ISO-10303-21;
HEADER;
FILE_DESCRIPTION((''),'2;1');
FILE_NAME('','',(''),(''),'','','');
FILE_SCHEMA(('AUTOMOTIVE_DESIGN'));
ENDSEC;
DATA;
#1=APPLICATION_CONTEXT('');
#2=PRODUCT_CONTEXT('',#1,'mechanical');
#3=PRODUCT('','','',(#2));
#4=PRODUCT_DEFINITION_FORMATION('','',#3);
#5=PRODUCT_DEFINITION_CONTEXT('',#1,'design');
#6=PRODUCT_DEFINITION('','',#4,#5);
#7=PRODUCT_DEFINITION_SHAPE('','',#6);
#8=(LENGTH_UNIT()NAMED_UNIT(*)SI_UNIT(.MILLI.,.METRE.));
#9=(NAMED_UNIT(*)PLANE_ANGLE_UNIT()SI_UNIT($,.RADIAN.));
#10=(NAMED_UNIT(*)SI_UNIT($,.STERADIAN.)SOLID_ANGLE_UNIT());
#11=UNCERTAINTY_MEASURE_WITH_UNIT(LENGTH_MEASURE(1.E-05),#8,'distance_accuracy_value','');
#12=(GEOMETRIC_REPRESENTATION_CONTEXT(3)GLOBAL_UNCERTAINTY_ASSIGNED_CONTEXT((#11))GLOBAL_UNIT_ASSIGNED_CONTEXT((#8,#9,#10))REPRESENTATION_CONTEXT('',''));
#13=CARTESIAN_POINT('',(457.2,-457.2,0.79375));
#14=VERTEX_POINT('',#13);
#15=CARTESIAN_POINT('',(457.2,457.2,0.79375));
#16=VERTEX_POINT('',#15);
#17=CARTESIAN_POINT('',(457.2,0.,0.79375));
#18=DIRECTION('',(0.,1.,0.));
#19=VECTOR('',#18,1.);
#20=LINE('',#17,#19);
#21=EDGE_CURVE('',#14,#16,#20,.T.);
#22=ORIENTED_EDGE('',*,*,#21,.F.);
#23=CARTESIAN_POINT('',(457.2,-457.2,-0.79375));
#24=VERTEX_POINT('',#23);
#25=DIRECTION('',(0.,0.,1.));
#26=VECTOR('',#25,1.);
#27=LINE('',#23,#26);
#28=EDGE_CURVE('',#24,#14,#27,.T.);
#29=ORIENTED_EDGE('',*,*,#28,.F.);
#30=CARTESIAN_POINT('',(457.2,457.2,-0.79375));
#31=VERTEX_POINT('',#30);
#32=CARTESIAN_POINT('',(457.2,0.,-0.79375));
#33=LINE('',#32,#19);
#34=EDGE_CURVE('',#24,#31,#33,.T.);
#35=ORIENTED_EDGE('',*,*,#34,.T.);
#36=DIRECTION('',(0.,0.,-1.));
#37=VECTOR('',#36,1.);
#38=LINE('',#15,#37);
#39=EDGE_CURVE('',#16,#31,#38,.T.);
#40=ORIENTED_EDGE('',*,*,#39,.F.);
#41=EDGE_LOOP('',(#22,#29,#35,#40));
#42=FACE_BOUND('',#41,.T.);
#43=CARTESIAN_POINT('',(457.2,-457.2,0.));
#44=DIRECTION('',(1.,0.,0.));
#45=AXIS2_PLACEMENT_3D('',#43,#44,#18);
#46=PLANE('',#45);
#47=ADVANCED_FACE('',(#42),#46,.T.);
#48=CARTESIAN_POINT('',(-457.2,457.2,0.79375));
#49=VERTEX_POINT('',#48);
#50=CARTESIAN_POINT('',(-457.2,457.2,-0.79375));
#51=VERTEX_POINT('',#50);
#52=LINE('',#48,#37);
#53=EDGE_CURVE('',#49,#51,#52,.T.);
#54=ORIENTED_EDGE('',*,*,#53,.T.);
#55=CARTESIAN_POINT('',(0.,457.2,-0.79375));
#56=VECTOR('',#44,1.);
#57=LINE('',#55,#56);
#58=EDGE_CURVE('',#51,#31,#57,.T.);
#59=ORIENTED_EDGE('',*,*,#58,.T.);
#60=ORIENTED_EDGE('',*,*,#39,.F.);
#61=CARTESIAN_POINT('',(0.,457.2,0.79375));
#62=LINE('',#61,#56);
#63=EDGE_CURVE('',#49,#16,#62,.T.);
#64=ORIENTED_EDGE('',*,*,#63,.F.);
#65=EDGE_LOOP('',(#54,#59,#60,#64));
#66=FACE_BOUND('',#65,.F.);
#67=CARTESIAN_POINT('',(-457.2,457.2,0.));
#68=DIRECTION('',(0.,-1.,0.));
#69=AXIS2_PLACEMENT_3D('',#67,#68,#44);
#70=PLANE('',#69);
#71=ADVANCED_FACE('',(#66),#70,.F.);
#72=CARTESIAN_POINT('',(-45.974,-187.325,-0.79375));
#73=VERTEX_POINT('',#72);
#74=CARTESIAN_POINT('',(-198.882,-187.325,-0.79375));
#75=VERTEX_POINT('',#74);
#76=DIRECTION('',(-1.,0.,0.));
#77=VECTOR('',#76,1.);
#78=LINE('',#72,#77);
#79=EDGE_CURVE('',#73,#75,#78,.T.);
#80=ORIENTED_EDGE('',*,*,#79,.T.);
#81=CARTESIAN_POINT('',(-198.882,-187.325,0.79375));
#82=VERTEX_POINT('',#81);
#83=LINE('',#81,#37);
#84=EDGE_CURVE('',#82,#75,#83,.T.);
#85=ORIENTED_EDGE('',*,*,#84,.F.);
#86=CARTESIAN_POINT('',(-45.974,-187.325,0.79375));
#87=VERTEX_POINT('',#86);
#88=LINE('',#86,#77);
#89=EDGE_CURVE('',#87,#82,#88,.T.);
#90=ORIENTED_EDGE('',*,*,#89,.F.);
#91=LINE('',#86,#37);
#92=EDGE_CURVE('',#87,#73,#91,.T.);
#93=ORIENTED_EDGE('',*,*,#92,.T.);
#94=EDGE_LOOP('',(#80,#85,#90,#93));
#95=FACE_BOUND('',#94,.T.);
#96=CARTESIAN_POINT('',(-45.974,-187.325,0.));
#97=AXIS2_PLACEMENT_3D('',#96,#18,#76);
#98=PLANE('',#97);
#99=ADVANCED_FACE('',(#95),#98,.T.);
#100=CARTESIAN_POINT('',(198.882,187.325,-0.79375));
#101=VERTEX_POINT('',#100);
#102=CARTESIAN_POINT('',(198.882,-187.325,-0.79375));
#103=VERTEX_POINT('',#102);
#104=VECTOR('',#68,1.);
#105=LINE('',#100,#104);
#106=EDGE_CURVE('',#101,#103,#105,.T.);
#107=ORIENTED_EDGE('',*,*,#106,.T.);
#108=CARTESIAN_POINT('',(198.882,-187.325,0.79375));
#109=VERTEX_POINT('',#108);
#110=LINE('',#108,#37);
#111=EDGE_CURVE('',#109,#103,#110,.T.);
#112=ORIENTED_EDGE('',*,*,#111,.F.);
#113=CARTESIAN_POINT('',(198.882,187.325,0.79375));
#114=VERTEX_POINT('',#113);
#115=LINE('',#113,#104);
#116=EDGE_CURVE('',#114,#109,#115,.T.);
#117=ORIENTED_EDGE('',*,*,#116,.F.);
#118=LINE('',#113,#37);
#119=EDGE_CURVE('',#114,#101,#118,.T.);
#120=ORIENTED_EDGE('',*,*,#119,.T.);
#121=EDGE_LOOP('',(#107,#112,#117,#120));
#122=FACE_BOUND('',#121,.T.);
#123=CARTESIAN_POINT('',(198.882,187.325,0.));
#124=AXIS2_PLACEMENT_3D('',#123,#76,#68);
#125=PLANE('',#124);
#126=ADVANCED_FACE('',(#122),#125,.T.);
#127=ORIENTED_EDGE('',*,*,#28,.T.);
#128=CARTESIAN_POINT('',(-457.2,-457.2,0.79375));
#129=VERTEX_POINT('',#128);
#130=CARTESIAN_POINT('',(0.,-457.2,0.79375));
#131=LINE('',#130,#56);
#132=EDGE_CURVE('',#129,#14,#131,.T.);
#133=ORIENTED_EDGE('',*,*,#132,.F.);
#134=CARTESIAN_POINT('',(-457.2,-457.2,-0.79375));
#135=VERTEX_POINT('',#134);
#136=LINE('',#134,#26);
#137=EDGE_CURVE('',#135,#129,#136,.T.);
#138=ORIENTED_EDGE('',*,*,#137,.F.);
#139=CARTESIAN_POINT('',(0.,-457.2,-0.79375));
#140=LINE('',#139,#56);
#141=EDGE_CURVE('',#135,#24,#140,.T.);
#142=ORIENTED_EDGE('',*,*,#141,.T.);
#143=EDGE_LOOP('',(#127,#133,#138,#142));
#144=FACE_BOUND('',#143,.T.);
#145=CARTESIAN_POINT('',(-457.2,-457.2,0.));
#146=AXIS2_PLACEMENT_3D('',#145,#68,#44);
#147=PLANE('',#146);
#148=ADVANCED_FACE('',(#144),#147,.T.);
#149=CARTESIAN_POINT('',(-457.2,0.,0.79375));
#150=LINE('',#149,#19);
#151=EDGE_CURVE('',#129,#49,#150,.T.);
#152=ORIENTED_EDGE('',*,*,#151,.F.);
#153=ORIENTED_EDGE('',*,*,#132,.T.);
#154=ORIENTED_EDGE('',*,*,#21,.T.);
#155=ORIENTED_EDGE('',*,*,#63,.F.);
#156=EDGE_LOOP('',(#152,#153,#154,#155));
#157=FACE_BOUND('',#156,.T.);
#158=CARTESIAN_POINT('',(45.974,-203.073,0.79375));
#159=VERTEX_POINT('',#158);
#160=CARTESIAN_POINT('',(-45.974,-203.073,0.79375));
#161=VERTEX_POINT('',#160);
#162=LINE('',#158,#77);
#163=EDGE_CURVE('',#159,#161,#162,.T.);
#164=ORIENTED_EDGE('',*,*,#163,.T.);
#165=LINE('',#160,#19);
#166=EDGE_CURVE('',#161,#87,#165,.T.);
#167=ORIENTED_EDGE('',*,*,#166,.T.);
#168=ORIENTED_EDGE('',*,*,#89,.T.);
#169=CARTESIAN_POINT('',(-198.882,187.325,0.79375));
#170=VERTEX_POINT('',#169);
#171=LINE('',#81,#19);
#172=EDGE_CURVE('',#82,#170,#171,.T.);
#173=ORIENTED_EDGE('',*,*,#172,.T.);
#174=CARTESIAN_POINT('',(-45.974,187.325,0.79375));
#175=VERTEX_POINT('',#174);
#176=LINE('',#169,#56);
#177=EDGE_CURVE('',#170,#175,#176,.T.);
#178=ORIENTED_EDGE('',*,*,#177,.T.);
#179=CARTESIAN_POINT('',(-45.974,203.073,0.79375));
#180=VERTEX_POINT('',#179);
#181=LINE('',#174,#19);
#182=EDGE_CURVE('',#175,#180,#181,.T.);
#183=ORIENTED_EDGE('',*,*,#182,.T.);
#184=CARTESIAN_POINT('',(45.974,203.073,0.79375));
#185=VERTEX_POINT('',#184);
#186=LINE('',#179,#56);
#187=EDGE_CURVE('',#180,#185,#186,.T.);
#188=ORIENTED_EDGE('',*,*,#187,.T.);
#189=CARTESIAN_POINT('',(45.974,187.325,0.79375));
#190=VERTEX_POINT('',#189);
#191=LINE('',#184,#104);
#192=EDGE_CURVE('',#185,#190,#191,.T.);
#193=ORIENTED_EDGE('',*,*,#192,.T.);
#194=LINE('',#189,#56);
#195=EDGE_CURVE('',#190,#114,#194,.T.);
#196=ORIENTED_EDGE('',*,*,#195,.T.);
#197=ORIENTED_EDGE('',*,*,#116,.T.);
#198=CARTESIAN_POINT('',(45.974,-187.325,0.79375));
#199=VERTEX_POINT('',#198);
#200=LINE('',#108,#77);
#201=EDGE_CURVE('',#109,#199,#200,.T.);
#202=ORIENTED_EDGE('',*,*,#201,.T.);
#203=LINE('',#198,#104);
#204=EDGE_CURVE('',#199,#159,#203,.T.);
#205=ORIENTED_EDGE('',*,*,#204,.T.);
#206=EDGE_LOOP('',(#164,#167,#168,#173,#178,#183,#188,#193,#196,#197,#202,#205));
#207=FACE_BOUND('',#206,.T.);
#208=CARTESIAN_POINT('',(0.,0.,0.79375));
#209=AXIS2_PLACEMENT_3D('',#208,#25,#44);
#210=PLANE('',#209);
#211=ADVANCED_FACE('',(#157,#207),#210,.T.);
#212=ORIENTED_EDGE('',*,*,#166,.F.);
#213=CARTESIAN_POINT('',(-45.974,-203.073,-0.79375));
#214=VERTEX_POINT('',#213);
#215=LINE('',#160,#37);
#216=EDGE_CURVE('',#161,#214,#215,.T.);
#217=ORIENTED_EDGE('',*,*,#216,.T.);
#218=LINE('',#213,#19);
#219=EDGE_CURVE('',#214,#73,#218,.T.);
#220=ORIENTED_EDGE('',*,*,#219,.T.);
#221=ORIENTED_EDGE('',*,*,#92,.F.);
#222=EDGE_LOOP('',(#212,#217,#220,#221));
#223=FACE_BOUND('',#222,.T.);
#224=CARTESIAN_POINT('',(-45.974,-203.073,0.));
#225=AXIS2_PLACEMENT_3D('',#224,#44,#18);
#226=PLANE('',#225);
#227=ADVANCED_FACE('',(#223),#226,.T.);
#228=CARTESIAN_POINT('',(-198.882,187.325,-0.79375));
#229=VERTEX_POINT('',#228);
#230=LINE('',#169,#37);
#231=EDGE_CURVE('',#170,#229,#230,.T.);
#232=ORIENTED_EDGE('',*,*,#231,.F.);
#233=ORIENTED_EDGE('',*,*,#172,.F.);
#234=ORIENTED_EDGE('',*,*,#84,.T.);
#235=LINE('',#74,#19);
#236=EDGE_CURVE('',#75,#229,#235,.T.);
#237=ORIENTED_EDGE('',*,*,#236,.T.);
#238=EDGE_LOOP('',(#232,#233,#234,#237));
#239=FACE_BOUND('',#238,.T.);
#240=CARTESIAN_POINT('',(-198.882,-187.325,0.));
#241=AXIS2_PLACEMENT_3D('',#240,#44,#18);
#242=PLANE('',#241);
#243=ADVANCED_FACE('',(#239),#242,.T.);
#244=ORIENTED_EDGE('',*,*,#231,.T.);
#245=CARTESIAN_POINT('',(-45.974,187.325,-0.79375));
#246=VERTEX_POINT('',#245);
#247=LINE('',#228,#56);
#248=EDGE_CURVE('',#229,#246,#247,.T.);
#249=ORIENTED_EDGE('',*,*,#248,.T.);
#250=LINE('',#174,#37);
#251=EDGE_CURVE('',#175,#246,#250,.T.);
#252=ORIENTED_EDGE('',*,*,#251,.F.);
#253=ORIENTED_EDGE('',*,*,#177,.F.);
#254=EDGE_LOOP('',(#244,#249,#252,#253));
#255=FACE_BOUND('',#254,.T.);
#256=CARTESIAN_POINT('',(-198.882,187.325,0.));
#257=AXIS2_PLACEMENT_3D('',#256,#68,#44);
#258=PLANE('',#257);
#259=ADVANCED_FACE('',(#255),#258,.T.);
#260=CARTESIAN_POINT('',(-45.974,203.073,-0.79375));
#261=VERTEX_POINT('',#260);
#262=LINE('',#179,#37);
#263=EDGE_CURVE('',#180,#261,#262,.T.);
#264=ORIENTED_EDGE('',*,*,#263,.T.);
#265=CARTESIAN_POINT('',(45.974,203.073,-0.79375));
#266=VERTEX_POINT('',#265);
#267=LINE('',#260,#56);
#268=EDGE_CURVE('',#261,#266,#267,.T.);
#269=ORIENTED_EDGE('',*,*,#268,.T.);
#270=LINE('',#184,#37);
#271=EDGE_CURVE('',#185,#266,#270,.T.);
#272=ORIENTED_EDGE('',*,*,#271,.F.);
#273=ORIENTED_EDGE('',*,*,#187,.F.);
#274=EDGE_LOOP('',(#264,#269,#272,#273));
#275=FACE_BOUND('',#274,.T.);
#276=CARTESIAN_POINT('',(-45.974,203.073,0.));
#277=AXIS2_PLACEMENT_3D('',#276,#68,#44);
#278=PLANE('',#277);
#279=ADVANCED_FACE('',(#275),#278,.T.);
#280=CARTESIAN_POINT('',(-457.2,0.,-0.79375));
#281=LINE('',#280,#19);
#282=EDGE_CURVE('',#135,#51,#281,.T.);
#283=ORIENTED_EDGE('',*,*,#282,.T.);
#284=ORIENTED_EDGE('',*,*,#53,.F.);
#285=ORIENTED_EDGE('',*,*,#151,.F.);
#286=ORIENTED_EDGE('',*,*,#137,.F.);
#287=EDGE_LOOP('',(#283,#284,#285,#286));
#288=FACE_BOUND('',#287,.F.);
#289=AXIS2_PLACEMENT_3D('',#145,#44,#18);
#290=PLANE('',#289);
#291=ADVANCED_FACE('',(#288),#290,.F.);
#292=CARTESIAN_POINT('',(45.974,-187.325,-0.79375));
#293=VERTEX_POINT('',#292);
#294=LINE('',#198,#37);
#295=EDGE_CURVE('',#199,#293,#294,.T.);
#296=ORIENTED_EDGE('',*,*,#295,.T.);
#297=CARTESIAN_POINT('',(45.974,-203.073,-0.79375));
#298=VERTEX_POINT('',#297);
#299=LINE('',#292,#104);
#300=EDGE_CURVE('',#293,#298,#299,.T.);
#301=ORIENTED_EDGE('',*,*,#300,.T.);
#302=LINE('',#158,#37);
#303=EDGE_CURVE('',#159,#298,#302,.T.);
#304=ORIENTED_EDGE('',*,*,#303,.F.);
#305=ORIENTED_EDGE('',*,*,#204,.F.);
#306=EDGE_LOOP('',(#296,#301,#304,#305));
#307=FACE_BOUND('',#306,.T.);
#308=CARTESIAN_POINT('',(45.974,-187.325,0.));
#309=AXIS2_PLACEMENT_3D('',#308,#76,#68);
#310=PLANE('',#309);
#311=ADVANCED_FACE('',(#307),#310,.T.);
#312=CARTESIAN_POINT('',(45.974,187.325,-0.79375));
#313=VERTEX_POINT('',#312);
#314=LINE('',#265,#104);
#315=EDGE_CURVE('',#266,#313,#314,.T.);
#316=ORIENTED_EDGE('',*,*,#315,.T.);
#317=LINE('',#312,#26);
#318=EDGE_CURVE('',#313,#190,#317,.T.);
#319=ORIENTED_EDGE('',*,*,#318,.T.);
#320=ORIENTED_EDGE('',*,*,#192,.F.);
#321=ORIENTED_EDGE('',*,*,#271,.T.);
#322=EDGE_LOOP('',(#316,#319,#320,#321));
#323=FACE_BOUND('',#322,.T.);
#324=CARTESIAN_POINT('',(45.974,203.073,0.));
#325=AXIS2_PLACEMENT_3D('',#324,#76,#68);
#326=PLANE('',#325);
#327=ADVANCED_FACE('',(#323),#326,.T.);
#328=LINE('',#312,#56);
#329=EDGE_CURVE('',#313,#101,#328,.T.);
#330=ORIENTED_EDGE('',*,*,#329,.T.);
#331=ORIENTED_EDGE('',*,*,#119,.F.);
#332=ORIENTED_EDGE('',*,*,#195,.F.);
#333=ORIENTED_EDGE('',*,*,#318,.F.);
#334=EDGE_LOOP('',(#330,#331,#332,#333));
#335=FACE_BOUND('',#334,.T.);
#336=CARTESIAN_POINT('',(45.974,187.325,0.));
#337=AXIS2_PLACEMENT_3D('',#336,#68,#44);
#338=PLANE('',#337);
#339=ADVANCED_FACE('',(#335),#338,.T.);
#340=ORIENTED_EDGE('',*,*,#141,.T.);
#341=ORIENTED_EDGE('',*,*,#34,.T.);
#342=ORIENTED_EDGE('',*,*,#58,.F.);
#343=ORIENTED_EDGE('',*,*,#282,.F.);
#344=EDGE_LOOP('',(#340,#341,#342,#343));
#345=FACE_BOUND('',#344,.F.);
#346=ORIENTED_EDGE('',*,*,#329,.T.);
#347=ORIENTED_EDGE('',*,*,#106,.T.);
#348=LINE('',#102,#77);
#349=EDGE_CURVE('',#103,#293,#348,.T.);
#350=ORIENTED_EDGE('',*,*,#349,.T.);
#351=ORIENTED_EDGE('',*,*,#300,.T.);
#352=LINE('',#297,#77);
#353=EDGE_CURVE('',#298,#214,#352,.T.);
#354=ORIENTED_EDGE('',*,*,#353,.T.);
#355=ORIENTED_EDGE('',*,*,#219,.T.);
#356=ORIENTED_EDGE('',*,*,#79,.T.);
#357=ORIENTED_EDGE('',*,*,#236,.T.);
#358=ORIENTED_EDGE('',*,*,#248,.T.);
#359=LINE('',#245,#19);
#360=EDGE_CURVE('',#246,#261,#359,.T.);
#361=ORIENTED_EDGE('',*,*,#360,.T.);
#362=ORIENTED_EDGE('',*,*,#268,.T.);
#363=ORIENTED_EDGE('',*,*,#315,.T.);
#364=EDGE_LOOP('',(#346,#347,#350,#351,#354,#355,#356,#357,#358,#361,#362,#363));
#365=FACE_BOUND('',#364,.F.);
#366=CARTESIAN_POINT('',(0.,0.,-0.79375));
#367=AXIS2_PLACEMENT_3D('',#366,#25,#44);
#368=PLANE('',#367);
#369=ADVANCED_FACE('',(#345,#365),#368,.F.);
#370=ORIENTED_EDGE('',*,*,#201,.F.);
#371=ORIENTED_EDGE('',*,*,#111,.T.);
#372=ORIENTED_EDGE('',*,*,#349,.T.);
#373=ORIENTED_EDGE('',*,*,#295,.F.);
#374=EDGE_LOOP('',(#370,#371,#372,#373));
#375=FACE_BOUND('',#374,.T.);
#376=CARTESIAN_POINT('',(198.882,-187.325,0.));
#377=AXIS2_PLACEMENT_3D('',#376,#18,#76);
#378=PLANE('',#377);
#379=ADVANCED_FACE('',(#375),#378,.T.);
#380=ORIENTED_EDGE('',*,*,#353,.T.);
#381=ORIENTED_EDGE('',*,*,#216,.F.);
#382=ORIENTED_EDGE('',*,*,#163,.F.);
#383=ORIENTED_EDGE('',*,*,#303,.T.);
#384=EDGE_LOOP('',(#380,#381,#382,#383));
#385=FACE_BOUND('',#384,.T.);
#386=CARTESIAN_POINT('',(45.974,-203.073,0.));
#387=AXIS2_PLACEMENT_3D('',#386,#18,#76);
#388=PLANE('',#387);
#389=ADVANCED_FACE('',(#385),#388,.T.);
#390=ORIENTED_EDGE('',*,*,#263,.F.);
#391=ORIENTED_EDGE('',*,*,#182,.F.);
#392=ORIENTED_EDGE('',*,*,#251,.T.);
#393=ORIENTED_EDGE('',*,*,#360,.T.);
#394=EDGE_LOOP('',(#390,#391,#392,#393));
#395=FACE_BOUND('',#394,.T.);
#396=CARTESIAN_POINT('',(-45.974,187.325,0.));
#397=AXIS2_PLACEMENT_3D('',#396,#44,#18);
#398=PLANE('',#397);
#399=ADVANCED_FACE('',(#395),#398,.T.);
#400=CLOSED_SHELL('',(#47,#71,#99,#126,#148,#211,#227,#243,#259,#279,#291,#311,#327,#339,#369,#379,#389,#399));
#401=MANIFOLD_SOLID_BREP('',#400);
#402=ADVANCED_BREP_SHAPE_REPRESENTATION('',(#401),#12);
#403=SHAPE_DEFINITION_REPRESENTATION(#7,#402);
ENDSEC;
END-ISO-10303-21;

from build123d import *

# Parameters (mm, degrees)
F0_W     = 914.4
F0_H     = 914.4
F1_DEPTH = 0.79375


with BuildPart() as f1:
    # F0 (on Top) → F1 (new body, symmetric)
    with BuildSketch(Plane.XY):
        Rectangle(F0_W, F0_H)
        Polygon((45.974, 187.325), (198.882, 187.325), (198.882, -187.325), (45.974, -187.325), (45.974, -203.073), (-45.974, -203.073), (-45.974, -187.325), (-198.882, -187.325), (-198.882, 187.325), (-45.974, 187.325), (-45.974, 203.073), (45.974, 203.073), align=None, mode=Mode.SUBTRACT)
    extrude(amount=F1_DEPTH, both=True)


solid = f1.part
